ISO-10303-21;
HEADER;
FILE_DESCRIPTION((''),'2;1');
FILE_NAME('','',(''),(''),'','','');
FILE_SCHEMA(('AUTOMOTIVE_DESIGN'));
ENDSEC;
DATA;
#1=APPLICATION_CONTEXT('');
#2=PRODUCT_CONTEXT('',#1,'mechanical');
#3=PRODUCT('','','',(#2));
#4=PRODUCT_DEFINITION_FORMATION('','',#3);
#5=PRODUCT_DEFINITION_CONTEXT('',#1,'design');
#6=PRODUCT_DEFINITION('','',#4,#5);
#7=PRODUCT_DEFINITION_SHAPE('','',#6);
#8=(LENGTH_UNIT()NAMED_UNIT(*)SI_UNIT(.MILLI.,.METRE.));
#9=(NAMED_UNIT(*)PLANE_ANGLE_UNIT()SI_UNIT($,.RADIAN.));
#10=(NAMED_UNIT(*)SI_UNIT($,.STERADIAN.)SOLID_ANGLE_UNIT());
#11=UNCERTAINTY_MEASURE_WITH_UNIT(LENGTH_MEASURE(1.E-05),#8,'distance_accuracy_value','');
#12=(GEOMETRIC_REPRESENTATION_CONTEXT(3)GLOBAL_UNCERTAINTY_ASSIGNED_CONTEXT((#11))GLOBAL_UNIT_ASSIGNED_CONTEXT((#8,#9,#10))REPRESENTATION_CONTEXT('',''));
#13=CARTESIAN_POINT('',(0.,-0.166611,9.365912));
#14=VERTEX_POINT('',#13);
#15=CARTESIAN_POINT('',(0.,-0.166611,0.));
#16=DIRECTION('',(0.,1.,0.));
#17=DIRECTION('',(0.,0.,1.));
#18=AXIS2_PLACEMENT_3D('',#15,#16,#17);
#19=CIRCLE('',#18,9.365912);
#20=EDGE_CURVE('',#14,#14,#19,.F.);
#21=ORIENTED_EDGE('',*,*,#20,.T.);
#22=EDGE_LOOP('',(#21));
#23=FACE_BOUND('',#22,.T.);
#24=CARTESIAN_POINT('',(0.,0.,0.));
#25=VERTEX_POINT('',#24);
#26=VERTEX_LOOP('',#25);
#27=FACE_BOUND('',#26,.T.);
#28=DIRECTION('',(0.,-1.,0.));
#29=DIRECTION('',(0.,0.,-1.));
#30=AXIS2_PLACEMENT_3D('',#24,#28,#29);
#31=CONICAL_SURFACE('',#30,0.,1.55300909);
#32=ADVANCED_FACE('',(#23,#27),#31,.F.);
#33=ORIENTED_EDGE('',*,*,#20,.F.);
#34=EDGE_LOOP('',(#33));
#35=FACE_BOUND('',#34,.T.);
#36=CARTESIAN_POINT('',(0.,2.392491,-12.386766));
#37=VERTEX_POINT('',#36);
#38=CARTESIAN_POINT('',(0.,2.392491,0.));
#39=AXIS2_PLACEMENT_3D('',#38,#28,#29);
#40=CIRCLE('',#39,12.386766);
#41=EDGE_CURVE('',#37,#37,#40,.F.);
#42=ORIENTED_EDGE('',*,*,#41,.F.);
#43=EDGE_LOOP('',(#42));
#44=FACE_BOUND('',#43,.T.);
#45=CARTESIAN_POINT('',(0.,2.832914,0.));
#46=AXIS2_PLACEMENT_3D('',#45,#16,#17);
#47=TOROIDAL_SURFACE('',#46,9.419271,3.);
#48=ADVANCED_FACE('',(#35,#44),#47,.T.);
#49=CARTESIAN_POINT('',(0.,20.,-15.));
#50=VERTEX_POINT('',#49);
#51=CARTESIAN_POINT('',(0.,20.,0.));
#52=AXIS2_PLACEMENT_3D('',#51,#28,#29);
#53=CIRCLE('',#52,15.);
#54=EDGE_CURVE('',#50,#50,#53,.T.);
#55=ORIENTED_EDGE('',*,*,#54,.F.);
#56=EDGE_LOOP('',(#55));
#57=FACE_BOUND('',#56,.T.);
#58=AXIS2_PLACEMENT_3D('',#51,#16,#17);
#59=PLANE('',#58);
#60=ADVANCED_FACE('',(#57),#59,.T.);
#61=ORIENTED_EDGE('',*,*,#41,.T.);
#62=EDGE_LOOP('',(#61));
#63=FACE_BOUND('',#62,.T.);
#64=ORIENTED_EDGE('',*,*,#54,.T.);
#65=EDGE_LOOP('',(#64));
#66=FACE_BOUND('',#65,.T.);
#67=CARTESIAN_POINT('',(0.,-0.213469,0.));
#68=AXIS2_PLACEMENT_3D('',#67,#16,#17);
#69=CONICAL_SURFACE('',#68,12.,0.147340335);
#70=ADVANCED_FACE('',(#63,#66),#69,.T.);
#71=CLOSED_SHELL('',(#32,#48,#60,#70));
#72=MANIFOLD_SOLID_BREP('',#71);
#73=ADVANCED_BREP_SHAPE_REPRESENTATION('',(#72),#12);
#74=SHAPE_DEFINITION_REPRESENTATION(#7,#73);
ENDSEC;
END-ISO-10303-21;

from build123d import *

# Parameters (mm, degrees)
REDONDEO1_R = 3


with BuildPart() as part:
    # Croquis1 → Revolución1 (revolve)
    with BuildSketch(Plane.XY):
        Polygon((0, 20), (15, 20), (12, -0.213469358), (0, 0), align=None)
    revolve(axis=Axis((0, 0, 0), (0, 1, 0)))

    # Redondeo1
    redondeo1_edges = [part.edges().sort_by_distance(p)[0] for p in [
        (-12, -0.213469358, 0),
    ]]
    fillet(redondeo1_edges, radius=REDONDEO1_R)


solid = part.part
